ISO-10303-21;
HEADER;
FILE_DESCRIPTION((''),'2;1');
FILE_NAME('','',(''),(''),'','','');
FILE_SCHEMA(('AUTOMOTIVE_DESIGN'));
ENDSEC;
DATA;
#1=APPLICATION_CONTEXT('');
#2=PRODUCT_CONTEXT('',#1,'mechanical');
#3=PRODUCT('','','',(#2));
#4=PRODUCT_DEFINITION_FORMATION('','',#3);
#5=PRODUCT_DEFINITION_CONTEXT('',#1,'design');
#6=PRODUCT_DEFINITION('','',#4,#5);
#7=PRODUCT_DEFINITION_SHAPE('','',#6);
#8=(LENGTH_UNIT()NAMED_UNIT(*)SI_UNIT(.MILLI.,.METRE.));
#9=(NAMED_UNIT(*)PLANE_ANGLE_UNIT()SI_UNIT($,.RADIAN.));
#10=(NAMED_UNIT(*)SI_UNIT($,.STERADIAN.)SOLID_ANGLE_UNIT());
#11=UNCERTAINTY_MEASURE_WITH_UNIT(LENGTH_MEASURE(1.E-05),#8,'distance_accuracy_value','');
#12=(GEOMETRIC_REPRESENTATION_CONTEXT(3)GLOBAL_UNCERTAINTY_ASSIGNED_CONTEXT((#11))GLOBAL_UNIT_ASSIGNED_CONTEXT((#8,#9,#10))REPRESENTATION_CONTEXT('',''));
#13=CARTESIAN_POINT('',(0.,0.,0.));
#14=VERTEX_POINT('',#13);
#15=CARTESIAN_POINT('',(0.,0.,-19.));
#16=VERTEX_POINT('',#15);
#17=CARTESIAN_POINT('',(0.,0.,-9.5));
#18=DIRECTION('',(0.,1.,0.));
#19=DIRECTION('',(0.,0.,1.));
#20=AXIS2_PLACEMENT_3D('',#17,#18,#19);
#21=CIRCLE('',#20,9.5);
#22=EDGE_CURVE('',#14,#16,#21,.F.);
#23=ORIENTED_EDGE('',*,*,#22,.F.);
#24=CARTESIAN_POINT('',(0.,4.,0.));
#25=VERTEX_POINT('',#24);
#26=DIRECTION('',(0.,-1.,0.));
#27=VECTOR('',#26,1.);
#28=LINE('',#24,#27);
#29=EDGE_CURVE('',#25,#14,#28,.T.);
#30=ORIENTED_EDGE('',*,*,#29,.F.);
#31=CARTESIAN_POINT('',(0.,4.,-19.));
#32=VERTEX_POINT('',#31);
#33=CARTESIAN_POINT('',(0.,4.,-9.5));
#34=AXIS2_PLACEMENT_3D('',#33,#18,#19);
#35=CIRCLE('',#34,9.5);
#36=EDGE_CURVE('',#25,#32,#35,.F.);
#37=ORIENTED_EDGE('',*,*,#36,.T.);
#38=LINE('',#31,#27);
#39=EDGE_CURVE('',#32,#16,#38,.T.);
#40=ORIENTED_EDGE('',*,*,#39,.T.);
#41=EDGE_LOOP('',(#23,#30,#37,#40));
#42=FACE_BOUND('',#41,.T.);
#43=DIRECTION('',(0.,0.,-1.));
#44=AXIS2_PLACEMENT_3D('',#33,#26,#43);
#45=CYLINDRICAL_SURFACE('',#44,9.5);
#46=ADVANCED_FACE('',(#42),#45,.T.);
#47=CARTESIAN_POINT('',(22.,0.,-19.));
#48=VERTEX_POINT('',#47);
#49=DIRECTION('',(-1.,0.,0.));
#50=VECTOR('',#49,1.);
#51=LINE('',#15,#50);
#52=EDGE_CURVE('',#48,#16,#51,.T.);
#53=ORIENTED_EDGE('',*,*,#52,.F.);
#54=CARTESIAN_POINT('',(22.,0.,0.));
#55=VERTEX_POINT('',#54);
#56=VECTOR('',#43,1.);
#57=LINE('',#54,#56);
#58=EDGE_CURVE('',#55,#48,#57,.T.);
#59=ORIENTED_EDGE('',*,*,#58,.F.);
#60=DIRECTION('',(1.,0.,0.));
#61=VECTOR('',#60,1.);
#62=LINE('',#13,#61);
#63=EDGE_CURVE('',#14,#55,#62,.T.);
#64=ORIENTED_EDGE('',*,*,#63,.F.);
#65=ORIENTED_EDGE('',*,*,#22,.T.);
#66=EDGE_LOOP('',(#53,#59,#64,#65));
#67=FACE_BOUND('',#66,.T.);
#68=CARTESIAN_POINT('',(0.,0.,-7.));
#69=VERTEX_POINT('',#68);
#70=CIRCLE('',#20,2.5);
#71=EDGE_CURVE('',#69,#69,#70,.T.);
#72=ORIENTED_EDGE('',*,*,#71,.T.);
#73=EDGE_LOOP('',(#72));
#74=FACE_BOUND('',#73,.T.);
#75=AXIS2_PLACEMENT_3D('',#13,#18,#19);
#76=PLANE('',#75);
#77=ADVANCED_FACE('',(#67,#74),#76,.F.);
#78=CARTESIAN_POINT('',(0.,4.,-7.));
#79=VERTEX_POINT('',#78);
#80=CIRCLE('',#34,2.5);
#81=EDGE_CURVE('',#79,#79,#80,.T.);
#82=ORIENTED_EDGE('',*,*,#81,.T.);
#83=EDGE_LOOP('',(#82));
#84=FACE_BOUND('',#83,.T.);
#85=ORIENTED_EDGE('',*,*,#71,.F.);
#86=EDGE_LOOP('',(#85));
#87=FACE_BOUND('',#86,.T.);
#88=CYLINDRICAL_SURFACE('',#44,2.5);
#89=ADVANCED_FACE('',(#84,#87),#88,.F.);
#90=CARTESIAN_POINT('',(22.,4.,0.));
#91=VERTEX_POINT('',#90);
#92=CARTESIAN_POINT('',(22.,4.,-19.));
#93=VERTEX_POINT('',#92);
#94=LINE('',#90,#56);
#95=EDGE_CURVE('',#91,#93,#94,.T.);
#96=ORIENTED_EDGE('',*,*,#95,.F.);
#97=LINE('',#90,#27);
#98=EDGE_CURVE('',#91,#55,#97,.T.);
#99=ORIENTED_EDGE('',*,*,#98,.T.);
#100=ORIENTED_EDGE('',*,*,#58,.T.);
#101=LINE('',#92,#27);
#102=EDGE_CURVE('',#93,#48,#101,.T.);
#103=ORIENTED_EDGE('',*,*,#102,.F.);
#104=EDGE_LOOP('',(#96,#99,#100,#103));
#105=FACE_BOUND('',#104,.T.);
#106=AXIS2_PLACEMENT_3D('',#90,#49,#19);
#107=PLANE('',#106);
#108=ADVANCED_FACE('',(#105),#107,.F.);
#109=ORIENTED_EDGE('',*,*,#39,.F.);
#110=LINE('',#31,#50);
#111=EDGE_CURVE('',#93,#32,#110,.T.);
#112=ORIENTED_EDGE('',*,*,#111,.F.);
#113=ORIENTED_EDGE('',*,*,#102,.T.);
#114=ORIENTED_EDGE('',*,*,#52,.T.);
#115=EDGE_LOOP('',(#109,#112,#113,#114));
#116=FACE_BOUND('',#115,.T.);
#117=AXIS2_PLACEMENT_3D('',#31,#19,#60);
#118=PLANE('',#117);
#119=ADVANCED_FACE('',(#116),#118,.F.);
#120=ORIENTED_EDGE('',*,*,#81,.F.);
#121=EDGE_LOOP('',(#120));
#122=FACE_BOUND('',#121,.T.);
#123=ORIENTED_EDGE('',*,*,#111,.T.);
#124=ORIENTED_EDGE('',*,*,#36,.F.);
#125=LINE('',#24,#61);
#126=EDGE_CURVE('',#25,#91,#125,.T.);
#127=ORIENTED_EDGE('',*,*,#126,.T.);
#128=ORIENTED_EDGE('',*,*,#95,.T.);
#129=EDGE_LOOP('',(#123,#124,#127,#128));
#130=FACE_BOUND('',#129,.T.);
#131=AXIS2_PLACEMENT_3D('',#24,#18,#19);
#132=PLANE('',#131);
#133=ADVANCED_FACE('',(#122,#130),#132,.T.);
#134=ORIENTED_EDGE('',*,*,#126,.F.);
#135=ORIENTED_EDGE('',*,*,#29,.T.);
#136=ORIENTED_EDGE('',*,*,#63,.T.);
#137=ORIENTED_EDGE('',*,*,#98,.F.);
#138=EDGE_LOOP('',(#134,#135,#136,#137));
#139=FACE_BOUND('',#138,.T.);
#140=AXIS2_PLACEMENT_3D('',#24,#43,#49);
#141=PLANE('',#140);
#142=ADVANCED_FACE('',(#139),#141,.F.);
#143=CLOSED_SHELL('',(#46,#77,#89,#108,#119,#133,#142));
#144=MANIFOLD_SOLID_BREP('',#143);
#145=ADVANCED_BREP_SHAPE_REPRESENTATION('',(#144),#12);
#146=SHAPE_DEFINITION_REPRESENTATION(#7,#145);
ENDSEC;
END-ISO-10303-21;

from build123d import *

# Parameters (mm, degrees)
SKETCH1_R           = 2.5
BOSS_EXTRUDE1_DEPTH = 4


with BuildPart() as part:
    # Sketch1 → Boss-Extrude1 (new body)
    with BuildSketch(Plane(origin=(0, 0, 0), x_dir=(1, 0, 0), z_dir=(0, 1, 0))):
        with BuildLine():
            Line((0, 0), (22, 0))
            Line((22, 0), (22, 19))
            Line((22, 19), (0, 19))
            ThreePointArc((0, 19), (-9.5, 9.5), (0, 0))
        make_face()
        with Locations(Location((0, 9.5, 0), (0, 0, 270))):
            Circle(SKETCH1_R, mode=Mode.SUBTRACT)
    extrude(amount=BOSS_EXTRUDE1_DEPTH)


solid = part.part
